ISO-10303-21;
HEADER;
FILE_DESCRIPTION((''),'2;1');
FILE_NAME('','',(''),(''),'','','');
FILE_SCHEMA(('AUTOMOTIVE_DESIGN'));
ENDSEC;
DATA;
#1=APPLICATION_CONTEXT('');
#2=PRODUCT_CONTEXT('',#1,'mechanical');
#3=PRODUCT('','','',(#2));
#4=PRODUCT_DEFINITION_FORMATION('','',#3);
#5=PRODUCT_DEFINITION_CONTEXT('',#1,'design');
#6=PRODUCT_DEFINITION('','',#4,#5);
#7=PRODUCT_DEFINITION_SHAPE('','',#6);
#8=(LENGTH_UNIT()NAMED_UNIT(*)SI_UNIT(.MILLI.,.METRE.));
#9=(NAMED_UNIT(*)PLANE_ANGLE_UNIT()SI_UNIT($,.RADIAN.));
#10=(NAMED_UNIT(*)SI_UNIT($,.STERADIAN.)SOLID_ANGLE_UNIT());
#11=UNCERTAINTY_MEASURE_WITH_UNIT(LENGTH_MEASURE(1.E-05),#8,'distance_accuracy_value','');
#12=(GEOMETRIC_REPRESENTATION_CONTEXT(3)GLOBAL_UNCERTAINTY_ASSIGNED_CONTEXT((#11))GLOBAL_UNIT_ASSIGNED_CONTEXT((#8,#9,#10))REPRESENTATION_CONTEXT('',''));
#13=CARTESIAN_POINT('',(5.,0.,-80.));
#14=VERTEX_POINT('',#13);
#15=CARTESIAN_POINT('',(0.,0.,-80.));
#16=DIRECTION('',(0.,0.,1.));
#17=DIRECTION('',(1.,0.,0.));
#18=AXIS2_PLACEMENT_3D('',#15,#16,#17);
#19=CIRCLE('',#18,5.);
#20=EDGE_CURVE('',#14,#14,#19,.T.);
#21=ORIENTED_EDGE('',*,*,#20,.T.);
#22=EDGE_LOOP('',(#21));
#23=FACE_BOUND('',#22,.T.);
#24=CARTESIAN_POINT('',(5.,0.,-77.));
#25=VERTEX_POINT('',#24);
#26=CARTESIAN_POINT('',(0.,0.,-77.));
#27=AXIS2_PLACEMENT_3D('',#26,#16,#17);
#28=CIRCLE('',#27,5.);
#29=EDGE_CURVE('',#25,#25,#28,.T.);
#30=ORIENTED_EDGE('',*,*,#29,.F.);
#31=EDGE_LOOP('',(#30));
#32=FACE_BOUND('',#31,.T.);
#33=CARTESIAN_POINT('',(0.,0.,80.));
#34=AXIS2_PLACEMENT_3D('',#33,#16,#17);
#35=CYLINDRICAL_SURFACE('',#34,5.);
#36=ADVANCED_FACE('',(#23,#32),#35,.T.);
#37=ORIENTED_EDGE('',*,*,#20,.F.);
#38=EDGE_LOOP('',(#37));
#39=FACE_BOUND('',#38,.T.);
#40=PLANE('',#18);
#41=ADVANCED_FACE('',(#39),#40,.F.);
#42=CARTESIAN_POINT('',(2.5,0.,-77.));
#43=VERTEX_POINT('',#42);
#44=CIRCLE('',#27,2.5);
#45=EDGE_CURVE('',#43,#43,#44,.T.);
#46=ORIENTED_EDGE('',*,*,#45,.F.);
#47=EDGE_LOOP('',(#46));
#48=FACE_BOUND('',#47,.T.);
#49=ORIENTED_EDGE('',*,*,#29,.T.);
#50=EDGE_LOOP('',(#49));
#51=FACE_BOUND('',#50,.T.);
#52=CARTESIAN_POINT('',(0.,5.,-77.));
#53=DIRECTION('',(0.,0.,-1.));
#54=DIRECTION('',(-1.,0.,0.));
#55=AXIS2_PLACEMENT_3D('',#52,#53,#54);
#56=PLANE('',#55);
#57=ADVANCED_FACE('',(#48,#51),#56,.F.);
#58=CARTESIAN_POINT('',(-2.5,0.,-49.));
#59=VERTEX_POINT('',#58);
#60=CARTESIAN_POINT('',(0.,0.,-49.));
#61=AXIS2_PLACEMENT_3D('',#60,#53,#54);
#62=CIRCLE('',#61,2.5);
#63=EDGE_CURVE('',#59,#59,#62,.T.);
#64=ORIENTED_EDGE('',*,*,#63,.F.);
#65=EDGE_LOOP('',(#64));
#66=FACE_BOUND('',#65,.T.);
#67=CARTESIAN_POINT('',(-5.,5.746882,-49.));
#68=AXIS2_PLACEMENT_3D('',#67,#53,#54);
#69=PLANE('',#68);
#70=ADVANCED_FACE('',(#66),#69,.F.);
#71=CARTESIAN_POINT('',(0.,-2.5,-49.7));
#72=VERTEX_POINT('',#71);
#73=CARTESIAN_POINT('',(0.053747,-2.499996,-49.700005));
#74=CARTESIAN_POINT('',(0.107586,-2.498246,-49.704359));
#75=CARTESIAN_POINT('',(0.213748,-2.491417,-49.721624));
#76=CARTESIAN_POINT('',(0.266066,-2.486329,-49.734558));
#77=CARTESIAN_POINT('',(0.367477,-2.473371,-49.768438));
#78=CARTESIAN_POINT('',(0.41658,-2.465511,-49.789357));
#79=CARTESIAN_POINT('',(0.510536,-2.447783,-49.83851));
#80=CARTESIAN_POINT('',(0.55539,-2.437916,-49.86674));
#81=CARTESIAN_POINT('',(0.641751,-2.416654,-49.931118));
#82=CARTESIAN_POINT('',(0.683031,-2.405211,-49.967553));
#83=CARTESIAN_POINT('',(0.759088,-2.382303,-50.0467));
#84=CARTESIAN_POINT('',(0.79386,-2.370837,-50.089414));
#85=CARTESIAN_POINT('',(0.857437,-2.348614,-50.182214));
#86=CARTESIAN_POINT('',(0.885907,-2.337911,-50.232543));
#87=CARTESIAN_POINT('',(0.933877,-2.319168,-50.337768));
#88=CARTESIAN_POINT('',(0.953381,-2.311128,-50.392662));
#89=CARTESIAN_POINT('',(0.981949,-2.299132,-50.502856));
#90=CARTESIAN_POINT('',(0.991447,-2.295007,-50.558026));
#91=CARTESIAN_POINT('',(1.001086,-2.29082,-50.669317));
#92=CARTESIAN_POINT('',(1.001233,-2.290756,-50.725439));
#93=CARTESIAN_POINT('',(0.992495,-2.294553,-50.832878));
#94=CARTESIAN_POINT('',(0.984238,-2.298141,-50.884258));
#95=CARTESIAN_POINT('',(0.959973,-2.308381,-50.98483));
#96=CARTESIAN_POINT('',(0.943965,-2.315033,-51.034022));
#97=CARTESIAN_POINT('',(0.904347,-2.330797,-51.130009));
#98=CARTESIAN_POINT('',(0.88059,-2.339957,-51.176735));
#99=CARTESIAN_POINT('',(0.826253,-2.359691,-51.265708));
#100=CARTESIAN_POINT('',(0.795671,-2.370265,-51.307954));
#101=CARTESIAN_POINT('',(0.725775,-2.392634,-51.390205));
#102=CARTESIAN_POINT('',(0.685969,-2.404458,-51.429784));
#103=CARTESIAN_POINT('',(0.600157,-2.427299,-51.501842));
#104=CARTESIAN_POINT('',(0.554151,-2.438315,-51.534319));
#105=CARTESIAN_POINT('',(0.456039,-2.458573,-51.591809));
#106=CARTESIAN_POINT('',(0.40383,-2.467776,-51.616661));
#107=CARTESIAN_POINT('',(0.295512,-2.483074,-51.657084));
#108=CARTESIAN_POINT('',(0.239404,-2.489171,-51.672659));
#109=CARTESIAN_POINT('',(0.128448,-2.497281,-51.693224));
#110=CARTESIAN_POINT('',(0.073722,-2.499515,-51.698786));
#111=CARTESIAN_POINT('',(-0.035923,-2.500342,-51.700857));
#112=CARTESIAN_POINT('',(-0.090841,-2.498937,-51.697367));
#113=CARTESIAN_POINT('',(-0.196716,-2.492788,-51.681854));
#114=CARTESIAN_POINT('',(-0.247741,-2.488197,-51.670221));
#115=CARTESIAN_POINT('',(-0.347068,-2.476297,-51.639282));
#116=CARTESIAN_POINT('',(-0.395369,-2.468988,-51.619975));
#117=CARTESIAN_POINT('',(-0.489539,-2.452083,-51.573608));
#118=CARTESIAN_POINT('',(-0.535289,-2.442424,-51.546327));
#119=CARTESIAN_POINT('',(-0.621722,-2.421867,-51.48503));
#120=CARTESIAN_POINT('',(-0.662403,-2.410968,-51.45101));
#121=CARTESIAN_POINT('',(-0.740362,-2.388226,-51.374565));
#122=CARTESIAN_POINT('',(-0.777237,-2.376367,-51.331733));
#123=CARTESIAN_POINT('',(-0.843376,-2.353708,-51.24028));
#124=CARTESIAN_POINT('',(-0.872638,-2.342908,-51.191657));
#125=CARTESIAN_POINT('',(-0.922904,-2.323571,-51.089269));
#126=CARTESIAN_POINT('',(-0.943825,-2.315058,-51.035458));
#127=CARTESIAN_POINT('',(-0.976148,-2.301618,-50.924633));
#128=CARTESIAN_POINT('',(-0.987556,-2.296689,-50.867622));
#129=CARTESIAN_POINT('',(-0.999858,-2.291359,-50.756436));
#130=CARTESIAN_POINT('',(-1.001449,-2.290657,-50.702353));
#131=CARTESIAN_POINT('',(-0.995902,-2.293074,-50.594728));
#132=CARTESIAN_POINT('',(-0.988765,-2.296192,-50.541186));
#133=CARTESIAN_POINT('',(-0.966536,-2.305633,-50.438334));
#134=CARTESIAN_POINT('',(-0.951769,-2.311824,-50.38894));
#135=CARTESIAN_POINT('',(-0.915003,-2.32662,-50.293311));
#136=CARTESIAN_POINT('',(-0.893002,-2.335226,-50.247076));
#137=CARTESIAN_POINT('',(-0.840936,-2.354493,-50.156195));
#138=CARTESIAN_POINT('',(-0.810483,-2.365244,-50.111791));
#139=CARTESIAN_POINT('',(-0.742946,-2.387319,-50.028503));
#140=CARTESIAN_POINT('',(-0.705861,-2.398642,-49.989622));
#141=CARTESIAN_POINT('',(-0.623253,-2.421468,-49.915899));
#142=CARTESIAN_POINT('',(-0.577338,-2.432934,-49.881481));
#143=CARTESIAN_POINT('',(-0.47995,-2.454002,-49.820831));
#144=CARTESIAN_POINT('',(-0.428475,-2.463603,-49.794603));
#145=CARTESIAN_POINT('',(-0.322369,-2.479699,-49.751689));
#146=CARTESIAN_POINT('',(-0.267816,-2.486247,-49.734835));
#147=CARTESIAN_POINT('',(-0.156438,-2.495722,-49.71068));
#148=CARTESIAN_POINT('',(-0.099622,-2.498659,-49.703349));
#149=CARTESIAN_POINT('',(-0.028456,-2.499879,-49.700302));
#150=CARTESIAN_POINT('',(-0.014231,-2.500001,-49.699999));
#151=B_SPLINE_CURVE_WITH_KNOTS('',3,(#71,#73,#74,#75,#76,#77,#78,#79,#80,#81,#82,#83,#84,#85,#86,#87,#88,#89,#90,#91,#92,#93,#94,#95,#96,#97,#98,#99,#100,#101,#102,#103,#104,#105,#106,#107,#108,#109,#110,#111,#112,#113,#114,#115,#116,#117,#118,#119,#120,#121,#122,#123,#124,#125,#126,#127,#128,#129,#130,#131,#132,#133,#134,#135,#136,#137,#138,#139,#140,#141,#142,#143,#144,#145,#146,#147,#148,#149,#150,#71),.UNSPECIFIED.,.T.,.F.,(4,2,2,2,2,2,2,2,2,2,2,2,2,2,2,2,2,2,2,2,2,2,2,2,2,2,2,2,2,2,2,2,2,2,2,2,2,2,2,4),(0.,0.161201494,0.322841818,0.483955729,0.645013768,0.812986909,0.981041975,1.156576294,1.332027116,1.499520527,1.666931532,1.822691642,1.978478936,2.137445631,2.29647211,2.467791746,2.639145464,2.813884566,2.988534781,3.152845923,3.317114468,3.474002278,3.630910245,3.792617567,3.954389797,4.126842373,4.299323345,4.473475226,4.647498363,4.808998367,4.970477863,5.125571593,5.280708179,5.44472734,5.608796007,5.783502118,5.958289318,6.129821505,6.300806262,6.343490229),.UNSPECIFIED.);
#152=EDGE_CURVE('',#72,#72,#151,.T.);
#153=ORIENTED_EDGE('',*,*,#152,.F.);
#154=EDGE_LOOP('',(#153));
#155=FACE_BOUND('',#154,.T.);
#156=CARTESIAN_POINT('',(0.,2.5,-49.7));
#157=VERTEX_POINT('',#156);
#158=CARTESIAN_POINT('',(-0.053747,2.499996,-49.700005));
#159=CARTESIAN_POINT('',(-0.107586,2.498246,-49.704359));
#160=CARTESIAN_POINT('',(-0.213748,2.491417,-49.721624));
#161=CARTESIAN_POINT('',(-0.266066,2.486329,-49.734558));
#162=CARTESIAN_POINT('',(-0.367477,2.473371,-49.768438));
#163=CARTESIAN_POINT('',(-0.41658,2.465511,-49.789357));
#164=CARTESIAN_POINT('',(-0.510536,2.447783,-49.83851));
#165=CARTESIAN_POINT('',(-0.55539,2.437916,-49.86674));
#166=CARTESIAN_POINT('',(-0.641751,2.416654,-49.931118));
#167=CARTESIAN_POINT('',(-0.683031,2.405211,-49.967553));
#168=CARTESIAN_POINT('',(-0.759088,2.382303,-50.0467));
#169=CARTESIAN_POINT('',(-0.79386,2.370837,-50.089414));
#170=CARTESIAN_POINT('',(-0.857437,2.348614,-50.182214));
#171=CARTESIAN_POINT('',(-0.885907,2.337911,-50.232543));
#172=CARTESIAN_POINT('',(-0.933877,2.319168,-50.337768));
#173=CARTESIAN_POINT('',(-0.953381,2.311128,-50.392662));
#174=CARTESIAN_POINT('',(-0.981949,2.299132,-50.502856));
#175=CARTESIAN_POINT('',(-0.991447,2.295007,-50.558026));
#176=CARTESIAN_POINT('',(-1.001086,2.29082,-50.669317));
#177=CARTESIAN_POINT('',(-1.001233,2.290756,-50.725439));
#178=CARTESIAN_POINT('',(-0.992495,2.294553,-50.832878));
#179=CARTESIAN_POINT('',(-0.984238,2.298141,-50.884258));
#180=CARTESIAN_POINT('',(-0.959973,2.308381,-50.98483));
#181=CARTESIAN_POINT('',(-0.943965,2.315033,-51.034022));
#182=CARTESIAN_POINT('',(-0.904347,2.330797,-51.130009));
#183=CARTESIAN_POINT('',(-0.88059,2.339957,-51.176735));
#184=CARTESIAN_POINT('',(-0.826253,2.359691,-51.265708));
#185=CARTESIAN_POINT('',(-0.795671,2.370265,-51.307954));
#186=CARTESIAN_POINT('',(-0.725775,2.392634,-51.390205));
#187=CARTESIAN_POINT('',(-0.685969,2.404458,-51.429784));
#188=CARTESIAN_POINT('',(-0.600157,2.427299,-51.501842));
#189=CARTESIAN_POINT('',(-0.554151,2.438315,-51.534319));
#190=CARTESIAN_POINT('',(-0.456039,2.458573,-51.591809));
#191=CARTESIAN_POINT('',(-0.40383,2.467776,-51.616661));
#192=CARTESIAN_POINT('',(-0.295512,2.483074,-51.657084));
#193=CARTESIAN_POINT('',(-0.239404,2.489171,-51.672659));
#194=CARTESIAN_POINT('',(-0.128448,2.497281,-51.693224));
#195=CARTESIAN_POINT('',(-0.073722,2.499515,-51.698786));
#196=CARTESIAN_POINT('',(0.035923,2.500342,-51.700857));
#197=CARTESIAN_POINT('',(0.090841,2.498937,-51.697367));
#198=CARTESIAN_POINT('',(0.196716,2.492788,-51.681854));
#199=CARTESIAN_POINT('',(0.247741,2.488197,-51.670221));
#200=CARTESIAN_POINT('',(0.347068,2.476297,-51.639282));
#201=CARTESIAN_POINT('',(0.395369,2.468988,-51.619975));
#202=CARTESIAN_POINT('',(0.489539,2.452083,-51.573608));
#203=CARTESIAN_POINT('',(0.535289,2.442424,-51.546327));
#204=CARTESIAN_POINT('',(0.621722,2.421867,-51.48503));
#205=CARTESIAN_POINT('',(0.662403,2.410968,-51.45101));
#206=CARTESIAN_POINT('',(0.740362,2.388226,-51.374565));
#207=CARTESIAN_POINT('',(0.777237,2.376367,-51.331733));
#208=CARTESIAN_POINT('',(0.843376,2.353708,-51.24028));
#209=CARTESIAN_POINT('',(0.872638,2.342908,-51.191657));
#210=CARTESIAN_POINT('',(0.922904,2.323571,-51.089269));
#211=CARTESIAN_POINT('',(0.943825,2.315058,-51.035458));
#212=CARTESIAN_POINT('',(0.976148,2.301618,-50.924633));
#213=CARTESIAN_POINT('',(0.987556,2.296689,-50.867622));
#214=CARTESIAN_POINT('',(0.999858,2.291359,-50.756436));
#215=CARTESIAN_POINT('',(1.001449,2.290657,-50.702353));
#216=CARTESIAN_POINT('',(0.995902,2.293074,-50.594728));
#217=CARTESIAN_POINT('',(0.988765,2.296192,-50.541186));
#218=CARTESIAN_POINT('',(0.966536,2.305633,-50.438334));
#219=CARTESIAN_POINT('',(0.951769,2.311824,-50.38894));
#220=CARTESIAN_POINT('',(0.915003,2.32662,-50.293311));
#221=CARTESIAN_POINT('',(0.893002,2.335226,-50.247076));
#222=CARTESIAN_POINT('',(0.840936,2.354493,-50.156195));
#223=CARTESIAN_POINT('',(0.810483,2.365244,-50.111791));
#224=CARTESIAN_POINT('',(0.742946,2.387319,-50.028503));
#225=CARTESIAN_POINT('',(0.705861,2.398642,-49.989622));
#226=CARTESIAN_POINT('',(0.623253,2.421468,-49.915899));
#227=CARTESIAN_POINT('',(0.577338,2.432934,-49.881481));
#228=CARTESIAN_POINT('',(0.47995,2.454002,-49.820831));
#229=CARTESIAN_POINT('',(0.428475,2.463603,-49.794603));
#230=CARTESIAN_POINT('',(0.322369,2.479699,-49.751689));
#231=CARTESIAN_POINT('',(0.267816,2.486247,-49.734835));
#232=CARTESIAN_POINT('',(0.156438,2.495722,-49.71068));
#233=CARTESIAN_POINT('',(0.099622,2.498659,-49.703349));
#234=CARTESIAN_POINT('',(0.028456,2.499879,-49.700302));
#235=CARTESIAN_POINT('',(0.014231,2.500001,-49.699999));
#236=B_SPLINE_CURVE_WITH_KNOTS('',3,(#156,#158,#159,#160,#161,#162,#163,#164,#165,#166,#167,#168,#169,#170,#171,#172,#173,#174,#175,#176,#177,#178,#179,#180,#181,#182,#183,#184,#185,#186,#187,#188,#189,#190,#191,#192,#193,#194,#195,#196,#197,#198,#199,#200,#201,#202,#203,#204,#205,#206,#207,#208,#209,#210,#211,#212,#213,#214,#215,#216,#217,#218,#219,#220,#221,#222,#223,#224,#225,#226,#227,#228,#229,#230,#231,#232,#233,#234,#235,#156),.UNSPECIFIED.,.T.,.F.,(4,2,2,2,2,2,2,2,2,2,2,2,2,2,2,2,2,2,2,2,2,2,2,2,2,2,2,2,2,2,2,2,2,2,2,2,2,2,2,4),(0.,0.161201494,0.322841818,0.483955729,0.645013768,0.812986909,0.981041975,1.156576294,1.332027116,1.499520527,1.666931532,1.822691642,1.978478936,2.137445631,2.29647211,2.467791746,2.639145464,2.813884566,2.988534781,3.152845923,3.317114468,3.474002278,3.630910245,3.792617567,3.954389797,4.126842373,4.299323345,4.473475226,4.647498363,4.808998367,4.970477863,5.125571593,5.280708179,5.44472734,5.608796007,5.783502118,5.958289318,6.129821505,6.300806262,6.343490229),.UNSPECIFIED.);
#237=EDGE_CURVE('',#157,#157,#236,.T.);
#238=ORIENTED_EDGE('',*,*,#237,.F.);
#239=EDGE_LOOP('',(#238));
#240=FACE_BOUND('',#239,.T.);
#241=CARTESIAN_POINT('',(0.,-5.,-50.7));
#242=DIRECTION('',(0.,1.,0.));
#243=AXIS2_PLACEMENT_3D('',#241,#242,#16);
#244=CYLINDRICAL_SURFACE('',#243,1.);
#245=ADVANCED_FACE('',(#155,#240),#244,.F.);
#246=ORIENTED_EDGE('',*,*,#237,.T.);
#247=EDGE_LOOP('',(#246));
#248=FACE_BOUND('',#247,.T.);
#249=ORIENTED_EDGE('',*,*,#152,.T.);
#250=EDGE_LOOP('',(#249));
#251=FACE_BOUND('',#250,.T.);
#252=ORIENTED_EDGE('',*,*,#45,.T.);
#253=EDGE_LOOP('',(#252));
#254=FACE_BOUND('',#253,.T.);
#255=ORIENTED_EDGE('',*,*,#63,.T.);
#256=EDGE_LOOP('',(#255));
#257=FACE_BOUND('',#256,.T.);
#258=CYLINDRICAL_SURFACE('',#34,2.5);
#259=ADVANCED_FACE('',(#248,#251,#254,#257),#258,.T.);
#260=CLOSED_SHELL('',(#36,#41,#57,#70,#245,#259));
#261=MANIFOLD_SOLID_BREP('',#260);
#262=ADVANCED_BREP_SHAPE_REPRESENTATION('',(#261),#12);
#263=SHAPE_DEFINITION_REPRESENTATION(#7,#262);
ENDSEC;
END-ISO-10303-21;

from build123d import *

# Parameters (mm, degrees)
CUT_EXTRUDE1_DEPTH      = 81.311892021
CUT_EXTRUDE1_DEPTH_BACK = 81.311892021
SKETCH3_W               = 130
SKETCH3_H               = 11.269282723
CUT_EXTRUDE2_DEPTH      = 81.311892021
CUT_EXTRUDE2_DEPTH_BACK = 81.311892021
SKETCH4_R               = 1


with BuildPart() as part:
    # Sketch2 → Revolve1 (revolve)
    with BuildSketch(Plane(origin=(0, 0, 0), x_dir=(0, 0, -1), z_dir=(1, 0, 0)), mode=Mode.PRIVATE) as revolve1_sk:
        Polygon((80, 0), (80, 5), (77, 5), (77, 2.5), (-80, 2.5), (-80, 0), align=None)
    revolve(revolve1_sk.sketch.rotate(Axis((0, 0, 80), (0, 0, -1)), 90), axis=Axis((0, 0, 80), (0, 0, -1)))

    # Sketch3 → Cut-Extrude1 (cut, two sides: drawn at the far end of the back side and taken through both)
    with BuildSketch(Plane(origin=(0, 0, 0), x_dir=(0, 0, -1), z_dir=(1, 0, 0)).offset(-CUT_EXTRUDE1_DEPTH_BACK)):
        with Locations((-16, 0.112241111)):
            Rectangle(SKETCH3_W, SKETCH3_H)
    extrude(amount=CUT_EXTRUDE1_DEPTH + CUT_EXTRUDE1_DEPTH_BACK, mode=Mode.SUBTRACT)

    # Sketch4 → Cut-Extrude2 (cut, two sides: drawn at the far end of the back side and taken through both)
    with BuildSketch(Plane(origin=(0, 0, 0), x_dir=(1, 0, 0), z_dir=(0, 1, 0)).offset(-CUT_EXTRUDE2_DEPTH_BACK)):
        with Locations(Location((0, 50.7, 0), (0, 0, 270))):
            Circle(SKETCH4_R)
    extrude(amount=CUT_EXTRUDE2_DEPTH + CUT_EXTRUDE2_DEPTH_BACK, mode=Mode.SUBTRACT)


solid = part.part
